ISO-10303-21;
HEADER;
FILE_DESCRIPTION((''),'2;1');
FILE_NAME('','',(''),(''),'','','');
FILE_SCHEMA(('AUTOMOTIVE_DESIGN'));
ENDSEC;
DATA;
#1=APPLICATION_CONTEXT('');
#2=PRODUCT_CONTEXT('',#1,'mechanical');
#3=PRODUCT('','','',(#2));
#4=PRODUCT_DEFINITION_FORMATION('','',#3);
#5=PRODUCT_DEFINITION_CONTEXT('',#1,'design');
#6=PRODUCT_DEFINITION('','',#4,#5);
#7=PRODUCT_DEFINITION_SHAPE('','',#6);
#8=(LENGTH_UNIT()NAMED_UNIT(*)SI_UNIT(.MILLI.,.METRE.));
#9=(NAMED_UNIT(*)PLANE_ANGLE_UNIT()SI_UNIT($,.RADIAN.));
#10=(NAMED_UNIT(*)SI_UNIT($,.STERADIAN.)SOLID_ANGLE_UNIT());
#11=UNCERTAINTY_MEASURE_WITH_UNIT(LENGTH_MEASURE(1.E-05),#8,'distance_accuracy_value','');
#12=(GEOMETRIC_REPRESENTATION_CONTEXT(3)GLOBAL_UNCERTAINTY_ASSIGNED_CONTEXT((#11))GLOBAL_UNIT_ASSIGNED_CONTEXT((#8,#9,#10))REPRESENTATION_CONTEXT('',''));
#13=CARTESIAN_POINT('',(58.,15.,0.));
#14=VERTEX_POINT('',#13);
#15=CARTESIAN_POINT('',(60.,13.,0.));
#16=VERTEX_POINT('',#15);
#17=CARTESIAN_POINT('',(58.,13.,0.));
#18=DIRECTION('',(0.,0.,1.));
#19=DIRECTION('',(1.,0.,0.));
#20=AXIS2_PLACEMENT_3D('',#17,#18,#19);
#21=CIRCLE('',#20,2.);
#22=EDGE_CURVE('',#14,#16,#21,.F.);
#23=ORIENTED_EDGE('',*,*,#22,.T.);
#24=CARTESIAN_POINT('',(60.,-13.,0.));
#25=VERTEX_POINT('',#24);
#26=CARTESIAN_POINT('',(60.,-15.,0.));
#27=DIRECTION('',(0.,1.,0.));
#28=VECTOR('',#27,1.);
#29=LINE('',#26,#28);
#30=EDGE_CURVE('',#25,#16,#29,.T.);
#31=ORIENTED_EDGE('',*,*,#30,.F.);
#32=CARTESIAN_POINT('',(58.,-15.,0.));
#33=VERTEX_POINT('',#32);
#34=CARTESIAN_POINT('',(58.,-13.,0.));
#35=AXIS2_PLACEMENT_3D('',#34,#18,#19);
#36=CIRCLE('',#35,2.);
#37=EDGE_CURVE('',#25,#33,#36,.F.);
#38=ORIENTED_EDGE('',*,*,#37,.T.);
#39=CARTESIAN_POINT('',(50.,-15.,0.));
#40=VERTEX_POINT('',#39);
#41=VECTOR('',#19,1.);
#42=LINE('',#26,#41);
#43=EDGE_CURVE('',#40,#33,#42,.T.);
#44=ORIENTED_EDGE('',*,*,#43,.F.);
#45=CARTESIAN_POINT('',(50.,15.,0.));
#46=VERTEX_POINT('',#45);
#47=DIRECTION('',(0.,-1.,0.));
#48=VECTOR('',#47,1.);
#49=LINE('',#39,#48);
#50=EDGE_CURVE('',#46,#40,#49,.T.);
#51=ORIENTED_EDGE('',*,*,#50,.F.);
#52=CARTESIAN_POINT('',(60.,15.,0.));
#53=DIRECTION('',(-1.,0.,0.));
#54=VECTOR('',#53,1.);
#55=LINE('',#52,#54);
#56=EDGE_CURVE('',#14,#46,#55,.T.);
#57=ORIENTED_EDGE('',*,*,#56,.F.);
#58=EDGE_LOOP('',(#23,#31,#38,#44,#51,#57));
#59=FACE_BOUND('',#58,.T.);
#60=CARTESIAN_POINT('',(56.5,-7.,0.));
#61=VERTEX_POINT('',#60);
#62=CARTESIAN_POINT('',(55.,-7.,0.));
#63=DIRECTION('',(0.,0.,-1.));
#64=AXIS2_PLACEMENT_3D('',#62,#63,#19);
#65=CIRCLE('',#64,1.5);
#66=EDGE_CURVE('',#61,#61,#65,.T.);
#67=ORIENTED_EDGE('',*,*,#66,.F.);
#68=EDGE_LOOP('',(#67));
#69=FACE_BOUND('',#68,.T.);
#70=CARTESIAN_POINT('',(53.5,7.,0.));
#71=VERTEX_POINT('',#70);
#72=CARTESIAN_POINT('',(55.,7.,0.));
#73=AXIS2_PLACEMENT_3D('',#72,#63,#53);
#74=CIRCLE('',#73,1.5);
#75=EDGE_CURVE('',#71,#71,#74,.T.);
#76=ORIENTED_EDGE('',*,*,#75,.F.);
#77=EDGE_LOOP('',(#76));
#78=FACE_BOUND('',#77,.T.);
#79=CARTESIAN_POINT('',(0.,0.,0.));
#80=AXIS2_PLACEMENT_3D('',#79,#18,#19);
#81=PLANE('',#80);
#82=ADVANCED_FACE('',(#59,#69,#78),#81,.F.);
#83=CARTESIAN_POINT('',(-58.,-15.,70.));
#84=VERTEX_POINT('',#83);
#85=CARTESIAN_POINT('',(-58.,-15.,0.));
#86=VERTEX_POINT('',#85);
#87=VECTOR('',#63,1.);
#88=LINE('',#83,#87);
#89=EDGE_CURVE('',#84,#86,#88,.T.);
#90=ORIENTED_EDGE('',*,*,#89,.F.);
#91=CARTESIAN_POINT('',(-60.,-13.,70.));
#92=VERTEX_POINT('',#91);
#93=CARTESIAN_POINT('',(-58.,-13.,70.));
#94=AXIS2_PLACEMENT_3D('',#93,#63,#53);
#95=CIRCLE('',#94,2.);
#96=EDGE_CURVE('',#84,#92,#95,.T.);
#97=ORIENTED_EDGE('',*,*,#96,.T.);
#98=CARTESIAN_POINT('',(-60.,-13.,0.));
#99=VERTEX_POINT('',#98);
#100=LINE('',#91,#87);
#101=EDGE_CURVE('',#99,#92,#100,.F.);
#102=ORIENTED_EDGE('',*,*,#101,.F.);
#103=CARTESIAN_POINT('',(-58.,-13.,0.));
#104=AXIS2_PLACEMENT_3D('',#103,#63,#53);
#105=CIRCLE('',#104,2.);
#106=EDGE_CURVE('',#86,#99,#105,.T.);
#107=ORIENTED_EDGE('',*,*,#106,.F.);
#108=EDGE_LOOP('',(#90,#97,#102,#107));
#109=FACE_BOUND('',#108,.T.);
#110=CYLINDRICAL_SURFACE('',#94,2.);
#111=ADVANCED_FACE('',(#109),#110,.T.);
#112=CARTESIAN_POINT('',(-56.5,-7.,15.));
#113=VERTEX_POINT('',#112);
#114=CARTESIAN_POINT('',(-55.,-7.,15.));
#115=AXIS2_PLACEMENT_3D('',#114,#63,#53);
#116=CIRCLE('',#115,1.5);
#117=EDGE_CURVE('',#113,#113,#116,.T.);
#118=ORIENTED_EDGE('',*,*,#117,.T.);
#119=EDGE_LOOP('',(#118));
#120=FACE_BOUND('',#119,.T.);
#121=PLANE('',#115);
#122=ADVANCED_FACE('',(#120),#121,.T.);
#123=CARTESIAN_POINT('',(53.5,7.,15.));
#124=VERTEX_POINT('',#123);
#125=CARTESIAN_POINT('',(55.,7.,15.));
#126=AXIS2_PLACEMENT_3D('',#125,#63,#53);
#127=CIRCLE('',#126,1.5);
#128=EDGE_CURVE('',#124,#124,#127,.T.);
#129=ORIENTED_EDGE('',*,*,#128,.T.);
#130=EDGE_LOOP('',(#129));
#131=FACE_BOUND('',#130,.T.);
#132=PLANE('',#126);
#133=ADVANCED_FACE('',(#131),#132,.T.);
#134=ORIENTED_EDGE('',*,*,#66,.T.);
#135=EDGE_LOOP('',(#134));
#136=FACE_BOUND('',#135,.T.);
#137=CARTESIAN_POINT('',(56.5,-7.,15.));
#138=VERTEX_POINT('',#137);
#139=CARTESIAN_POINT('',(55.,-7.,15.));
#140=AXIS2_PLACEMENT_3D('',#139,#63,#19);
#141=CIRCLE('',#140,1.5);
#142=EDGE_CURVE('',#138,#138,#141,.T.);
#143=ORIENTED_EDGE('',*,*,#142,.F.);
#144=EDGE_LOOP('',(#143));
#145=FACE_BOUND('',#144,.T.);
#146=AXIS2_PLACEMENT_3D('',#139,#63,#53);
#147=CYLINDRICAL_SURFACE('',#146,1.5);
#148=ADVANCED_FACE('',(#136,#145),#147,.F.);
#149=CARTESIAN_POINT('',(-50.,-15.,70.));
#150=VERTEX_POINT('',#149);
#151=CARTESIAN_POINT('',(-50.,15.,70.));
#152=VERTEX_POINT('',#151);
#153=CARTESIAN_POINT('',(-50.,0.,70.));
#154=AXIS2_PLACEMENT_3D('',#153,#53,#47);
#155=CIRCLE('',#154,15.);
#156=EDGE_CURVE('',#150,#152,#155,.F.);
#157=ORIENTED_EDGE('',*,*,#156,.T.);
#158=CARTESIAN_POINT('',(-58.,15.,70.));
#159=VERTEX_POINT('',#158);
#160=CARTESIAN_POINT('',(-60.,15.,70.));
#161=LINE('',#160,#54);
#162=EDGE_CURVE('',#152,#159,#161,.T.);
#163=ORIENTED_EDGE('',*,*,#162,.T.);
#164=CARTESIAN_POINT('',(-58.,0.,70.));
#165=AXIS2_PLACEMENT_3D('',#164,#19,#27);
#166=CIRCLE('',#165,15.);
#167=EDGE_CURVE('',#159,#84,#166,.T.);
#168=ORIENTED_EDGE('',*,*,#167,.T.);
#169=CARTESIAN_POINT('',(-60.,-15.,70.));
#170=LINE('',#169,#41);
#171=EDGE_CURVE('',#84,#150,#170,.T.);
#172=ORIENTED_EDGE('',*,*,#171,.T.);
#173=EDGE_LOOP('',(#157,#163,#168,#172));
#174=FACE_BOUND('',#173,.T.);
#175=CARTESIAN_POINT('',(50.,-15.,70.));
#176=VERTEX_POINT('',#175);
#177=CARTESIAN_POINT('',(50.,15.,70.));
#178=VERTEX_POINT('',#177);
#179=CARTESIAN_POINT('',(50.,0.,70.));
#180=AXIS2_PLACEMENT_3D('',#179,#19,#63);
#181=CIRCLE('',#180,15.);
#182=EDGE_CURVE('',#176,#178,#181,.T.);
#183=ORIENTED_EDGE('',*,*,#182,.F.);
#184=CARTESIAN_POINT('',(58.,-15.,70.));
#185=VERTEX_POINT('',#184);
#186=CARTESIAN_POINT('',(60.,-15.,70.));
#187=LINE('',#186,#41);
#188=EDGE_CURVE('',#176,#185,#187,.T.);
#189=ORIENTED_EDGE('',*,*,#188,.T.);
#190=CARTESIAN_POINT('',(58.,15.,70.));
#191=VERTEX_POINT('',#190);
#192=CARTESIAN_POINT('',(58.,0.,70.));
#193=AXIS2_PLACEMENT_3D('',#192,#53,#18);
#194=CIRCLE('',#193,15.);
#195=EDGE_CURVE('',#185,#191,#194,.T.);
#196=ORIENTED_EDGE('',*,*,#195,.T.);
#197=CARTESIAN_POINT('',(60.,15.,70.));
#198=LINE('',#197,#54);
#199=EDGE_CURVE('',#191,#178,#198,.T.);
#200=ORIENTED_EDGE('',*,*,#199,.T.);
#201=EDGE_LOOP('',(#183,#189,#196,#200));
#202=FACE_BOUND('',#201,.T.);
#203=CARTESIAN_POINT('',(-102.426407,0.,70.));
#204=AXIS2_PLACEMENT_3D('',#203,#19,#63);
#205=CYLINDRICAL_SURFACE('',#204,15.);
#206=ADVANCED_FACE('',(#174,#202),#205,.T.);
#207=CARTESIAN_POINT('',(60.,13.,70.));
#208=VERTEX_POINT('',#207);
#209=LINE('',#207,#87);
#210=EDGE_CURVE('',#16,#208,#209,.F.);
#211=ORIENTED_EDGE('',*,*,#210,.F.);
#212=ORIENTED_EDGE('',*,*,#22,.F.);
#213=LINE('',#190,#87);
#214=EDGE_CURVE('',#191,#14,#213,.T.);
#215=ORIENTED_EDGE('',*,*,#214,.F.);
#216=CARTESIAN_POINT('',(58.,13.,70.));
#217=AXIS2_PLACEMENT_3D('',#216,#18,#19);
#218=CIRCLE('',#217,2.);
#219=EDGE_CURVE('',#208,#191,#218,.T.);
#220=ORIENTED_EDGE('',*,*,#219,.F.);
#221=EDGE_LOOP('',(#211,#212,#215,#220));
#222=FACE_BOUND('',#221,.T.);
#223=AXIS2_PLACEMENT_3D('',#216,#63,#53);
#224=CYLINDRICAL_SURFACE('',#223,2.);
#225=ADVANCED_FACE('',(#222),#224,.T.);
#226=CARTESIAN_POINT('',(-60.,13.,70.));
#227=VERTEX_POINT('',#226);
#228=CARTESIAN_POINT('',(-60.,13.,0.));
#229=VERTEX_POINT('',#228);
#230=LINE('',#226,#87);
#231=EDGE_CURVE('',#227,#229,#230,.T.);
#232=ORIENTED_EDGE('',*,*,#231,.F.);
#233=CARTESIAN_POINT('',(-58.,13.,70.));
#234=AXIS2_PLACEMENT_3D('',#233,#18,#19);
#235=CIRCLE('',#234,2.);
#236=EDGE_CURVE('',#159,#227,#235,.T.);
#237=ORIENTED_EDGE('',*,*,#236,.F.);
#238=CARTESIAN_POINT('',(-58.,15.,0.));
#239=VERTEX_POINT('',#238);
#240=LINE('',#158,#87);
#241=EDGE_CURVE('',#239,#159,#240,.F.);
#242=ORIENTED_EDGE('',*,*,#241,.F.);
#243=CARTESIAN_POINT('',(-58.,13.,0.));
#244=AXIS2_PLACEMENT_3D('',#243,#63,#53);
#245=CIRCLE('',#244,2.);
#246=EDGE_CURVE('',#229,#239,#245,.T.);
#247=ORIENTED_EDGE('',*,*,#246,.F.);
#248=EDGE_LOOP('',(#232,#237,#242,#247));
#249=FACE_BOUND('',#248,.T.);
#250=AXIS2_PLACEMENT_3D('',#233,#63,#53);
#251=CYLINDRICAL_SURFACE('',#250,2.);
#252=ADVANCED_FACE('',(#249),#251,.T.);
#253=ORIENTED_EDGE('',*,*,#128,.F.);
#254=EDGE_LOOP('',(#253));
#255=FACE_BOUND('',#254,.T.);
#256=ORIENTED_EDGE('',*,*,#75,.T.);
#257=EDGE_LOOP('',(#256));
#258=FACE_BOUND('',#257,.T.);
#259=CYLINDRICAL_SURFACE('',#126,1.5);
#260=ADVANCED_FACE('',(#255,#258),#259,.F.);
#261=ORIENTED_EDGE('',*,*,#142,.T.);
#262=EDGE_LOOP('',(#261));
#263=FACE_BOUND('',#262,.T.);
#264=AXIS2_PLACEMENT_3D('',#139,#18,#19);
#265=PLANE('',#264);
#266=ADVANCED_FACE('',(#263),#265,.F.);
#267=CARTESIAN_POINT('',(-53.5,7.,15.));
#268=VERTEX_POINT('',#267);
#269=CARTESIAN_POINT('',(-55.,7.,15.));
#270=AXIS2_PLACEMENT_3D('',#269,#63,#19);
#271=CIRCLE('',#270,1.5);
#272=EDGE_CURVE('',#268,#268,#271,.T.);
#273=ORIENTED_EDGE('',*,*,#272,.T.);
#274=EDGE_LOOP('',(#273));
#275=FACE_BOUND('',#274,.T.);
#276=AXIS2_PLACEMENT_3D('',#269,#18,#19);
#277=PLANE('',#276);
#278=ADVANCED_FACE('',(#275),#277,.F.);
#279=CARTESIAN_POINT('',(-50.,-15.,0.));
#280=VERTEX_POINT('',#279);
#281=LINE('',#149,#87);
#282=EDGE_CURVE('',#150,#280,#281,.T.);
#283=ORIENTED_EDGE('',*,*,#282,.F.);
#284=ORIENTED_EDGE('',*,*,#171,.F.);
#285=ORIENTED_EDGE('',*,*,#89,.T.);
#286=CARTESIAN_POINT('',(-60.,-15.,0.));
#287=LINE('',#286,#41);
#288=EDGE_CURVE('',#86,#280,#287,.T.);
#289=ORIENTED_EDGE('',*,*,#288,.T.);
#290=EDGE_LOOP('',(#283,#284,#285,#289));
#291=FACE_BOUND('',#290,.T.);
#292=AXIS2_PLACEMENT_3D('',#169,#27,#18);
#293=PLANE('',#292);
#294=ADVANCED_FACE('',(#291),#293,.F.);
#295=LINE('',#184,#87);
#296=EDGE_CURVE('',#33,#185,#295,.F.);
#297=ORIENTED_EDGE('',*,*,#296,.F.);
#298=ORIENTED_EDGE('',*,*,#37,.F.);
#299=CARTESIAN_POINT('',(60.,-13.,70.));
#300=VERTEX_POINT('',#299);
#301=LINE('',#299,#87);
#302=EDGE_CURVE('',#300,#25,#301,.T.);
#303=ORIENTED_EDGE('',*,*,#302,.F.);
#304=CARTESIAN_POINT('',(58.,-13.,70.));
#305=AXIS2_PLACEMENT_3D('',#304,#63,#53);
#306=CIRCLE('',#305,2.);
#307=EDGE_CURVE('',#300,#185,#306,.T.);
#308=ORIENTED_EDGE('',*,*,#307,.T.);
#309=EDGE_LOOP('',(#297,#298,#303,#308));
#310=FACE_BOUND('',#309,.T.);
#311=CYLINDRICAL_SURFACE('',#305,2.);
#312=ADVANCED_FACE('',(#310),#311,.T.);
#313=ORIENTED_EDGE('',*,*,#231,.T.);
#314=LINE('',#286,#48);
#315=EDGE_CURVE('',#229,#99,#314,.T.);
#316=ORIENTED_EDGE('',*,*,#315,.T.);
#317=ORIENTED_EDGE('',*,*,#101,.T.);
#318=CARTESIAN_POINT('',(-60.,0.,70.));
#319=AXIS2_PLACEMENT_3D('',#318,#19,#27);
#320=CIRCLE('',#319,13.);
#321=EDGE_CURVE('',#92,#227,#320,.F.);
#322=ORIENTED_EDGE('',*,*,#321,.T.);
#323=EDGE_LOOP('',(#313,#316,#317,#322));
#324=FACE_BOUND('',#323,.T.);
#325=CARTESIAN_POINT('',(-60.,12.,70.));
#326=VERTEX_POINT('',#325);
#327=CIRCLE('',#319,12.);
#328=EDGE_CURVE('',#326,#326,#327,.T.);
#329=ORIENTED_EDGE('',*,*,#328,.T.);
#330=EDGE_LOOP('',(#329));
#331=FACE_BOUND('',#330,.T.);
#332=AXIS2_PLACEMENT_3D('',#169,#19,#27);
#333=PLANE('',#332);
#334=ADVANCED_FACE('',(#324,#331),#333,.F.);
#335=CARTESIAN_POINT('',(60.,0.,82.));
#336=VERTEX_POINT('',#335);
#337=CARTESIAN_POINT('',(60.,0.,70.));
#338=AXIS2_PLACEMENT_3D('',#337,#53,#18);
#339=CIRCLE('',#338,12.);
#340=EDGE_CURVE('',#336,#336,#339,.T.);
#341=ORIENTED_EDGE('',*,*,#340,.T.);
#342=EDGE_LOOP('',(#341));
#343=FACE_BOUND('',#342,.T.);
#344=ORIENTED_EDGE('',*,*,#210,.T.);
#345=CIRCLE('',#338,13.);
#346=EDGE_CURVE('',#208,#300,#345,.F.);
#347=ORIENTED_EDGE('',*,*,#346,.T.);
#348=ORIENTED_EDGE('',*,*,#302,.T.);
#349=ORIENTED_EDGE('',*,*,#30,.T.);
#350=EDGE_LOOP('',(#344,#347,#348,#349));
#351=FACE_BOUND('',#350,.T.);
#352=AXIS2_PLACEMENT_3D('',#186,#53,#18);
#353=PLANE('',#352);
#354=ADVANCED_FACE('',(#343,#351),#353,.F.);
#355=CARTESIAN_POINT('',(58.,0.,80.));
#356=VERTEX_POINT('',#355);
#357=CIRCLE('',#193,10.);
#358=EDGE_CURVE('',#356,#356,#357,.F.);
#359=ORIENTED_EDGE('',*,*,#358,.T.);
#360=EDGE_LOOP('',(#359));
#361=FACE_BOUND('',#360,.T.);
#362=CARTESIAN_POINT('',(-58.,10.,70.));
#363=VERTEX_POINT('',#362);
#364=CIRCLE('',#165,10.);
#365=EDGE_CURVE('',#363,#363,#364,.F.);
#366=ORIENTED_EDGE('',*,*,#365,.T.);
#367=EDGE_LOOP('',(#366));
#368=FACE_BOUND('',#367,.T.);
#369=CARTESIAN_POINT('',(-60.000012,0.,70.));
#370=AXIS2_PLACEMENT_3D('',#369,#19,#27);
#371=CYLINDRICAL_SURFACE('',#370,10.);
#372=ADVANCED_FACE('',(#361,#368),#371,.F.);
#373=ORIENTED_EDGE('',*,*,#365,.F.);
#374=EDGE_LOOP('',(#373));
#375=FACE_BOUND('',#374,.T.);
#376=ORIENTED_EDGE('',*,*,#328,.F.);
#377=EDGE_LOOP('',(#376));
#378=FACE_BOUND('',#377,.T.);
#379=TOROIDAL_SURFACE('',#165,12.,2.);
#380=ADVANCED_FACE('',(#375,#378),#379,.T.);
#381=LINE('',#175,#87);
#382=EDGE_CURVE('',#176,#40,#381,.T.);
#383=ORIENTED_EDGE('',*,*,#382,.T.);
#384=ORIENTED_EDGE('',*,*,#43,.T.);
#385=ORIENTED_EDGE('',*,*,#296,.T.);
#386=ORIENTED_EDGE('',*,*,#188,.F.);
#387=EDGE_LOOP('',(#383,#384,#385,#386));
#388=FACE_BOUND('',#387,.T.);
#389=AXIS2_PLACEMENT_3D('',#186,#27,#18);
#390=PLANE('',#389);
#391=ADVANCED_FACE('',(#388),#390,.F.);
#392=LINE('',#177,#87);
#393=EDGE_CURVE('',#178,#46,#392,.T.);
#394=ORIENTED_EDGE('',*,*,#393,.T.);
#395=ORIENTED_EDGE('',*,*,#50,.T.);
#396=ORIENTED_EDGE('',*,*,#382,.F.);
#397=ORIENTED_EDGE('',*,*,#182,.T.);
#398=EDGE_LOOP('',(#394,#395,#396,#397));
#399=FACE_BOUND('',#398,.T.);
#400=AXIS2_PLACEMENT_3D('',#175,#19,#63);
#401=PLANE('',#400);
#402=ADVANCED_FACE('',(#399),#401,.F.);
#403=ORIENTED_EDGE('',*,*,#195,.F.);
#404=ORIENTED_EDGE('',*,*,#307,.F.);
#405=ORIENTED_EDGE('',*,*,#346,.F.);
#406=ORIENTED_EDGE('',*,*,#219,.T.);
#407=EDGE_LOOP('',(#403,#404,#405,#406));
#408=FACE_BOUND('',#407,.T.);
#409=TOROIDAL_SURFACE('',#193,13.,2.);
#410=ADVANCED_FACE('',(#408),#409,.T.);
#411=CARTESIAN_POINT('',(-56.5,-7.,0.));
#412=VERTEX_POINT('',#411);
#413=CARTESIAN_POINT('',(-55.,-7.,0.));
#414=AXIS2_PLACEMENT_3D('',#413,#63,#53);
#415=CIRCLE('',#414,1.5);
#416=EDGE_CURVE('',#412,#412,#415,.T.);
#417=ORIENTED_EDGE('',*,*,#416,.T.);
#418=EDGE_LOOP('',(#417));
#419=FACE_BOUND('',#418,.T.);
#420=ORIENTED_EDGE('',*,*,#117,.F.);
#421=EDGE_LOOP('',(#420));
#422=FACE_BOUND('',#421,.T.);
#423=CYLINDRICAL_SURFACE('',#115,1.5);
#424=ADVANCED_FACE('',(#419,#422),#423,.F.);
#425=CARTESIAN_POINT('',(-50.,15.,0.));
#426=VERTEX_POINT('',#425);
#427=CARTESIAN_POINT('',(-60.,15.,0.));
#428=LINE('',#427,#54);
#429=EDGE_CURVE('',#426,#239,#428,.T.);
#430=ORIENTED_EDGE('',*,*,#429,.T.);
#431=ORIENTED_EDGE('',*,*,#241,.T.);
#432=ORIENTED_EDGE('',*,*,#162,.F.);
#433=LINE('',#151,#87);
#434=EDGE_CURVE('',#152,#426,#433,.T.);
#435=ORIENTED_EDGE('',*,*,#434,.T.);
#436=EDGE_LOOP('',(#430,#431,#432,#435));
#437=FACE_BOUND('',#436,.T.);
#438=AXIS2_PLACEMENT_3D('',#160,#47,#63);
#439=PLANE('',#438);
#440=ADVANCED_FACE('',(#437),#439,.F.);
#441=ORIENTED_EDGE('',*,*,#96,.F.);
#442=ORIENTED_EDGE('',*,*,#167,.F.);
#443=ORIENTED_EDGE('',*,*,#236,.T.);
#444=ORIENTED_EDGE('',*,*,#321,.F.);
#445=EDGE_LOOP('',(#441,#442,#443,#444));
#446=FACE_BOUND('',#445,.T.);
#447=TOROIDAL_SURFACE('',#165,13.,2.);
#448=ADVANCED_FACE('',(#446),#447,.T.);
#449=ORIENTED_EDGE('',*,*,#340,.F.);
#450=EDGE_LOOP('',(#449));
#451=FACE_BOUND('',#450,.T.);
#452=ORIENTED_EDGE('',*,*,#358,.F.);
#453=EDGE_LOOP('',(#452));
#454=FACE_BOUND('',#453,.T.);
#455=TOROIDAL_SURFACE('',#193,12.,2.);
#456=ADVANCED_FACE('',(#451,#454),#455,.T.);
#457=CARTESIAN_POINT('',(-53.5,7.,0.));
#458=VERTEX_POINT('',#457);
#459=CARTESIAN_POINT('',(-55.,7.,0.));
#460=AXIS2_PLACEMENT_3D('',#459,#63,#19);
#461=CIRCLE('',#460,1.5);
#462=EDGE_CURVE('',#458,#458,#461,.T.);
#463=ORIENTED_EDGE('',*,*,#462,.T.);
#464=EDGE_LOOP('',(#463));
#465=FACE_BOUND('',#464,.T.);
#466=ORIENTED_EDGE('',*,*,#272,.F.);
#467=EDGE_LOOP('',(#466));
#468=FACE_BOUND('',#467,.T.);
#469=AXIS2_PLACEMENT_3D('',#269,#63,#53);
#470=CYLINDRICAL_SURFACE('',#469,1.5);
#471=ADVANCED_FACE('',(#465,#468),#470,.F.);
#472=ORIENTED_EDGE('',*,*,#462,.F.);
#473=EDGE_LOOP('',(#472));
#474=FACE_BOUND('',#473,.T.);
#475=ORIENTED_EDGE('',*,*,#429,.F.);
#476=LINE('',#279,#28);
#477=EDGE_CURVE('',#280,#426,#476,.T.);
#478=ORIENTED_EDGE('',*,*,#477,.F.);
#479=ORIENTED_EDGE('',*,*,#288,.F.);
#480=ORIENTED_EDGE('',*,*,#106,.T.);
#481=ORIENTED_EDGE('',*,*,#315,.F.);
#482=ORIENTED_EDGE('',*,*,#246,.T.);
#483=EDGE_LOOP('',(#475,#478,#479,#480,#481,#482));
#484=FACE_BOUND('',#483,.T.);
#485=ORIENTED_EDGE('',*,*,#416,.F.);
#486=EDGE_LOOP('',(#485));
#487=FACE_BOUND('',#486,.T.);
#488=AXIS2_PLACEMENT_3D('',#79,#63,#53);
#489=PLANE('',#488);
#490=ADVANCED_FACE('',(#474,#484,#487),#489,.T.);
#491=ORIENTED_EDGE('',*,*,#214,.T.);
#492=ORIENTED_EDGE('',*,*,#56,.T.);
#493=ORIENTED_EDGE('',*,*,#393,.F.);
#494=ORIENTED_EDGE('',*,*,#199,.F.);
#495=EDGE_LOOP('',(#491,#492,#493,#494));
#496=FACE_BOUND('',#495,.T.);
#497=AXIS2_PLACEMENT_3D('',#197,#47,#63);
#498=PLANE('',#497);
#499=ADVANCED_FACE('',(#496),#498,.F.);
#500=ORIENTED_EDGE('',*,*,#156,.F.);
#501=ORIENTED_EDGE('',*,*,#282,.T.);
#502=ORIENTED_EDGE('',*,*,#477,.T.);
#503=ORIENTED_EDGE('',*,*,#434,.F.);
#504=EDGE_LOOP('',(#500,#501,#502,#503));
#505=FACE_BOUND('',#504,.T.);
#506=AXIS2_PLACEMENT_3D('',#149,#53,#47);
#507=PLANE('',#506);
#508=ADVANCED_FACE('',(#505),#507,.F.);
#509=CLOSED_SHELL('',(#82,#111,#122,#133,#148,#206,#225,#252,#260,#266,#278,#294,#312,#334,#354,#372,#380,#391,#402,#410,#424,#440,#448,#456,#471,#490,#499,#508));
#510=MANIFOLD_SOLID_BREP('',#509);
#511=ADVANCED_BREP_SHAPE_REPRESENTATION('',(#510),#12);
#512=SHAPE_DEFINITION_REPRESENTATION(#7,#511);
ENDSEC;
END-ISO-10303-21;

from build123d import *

# Parameters (mm, degrees)
SKETCH1_W                      = 10
SKETCH1_H                      = 30
BOSS_EXTRUDE1_DEPTH            = 70
BOSS_EXTRUDE1_2_DEPTH          = 70
SKETCH2_R                      = 15
BOSS_EXTRUDE2_DEPTH            = 120
CUT_EXTRUDE1_REACH             = 122
SKETCH3_R                      = 10
CUT_EXTRUDE1_DIRECTION_2_DEPTH = 1
FILLET1_R                      = 2
SKETCH4_R                      = 1.5
CUT_EXTRUDE2_DEPTH             = 15


with BuildPart() as part:
    # Sketch1 → Boss-Extrude1 (new body)
    with BuildSketch(Plane.XY):
        with Locations((55, 0)):
            Rectangle(SKETCH1_W, SKETCH1_H)
    extrude(amount=BOSS_EXTRUDE1_DEPTH)



with BuildPart() as body_2:
    # Sketch1 → Boss-Extrude1 2 (new body)
    with BuildSketch(Plane.XY):
        with Locations((-55, 0)):
            Rectangle(SKETCH1_W, SKETCH1_H)
    extrude(amount=BOSS_EXTRUDE1_2_DEPTH)


with BuildPart() as part_1:
    add(part.part)

    add(body_2.part)  # Boss-Extrude2 merges body 2
    # Sketch2 → Boss-Extrude2 (add)
    with BuildSketch(Plane(origin=(60, 0, 0), x_dir=(0, 0, -1), z_dir=(1, 0, 0))):
        with Locations((-70, 0)):
            Circle(SKETCH2_R)
    extrude(amount=-BOSS_EXTRUDE2_DEPTH)

    # Sketch3 → Cut-Extrude1 (cut, up to next)
    with BuildSketch(Plane.ZY.offset(60), mode=Mode.PRIVATE) as cut_extrude1_sk1:
        with Locations((70, 0)):
            Circle(SKETCH3_R)
    cut_extrude1_tool1 = extrude(cut_extrude1_sk1.sketch, amount=-CUT_EXTRUDE1_REACH, mode=Mode.PRIVATE) & part_1.part
    add(cut_extrude1_tool1.solids().sort_by_distance((-60, 0, 70))[0], mode=Mode.SUBTRACT)

    # Sketch3 → Cut-Extrude1 direction 2 (cut)
    with BuildSketch(Plane.ZY.offset(60)):
        with Locations((70, 0)):
            Circle(SKETCH3_R)
    extrude(amount=CUT_EXTRUDE1_DIRECTION_2_DEPTH, mode=Mode.SUBTRACT)

    # Fillet1
    fillet1_edges = [part_1.edges().sort_by_distance(p)[0] for p in [
        (60, 0, 85),
        (-60, 0, 85),
        (-60, 15, 35),
        (-60, -15, 35),
        (-60, 0, 60),
        (60, 0, 60),
        (60, 15, 35),
        (60, -15, 35),
    ]]
    fillet(fillet1_edges, radius=FILLET1_R)

    # Sketch4 → Cut-Extrude2 (cut)
    with BuildSketch(Plane(origin=(0, 0, 0), x_dir=(-1, 0, 0), z_dir=(0, 0, -1))):
        with Locations((-55, 7)):
            Circle(SKETCH4_R)
        with Locations((-55, -7)):
            Circle(SKETCH4_R)
        with Locations((55, -7)):
            Circle(SKETCH4_R)
        with Locations((55, 7)):
            Circle(SKETCH4_R)
    extrude(amount=-CUT_EXTRUDE2_DEPTH, mode=Mode.SUBTRACT)


solid = part_1.part
